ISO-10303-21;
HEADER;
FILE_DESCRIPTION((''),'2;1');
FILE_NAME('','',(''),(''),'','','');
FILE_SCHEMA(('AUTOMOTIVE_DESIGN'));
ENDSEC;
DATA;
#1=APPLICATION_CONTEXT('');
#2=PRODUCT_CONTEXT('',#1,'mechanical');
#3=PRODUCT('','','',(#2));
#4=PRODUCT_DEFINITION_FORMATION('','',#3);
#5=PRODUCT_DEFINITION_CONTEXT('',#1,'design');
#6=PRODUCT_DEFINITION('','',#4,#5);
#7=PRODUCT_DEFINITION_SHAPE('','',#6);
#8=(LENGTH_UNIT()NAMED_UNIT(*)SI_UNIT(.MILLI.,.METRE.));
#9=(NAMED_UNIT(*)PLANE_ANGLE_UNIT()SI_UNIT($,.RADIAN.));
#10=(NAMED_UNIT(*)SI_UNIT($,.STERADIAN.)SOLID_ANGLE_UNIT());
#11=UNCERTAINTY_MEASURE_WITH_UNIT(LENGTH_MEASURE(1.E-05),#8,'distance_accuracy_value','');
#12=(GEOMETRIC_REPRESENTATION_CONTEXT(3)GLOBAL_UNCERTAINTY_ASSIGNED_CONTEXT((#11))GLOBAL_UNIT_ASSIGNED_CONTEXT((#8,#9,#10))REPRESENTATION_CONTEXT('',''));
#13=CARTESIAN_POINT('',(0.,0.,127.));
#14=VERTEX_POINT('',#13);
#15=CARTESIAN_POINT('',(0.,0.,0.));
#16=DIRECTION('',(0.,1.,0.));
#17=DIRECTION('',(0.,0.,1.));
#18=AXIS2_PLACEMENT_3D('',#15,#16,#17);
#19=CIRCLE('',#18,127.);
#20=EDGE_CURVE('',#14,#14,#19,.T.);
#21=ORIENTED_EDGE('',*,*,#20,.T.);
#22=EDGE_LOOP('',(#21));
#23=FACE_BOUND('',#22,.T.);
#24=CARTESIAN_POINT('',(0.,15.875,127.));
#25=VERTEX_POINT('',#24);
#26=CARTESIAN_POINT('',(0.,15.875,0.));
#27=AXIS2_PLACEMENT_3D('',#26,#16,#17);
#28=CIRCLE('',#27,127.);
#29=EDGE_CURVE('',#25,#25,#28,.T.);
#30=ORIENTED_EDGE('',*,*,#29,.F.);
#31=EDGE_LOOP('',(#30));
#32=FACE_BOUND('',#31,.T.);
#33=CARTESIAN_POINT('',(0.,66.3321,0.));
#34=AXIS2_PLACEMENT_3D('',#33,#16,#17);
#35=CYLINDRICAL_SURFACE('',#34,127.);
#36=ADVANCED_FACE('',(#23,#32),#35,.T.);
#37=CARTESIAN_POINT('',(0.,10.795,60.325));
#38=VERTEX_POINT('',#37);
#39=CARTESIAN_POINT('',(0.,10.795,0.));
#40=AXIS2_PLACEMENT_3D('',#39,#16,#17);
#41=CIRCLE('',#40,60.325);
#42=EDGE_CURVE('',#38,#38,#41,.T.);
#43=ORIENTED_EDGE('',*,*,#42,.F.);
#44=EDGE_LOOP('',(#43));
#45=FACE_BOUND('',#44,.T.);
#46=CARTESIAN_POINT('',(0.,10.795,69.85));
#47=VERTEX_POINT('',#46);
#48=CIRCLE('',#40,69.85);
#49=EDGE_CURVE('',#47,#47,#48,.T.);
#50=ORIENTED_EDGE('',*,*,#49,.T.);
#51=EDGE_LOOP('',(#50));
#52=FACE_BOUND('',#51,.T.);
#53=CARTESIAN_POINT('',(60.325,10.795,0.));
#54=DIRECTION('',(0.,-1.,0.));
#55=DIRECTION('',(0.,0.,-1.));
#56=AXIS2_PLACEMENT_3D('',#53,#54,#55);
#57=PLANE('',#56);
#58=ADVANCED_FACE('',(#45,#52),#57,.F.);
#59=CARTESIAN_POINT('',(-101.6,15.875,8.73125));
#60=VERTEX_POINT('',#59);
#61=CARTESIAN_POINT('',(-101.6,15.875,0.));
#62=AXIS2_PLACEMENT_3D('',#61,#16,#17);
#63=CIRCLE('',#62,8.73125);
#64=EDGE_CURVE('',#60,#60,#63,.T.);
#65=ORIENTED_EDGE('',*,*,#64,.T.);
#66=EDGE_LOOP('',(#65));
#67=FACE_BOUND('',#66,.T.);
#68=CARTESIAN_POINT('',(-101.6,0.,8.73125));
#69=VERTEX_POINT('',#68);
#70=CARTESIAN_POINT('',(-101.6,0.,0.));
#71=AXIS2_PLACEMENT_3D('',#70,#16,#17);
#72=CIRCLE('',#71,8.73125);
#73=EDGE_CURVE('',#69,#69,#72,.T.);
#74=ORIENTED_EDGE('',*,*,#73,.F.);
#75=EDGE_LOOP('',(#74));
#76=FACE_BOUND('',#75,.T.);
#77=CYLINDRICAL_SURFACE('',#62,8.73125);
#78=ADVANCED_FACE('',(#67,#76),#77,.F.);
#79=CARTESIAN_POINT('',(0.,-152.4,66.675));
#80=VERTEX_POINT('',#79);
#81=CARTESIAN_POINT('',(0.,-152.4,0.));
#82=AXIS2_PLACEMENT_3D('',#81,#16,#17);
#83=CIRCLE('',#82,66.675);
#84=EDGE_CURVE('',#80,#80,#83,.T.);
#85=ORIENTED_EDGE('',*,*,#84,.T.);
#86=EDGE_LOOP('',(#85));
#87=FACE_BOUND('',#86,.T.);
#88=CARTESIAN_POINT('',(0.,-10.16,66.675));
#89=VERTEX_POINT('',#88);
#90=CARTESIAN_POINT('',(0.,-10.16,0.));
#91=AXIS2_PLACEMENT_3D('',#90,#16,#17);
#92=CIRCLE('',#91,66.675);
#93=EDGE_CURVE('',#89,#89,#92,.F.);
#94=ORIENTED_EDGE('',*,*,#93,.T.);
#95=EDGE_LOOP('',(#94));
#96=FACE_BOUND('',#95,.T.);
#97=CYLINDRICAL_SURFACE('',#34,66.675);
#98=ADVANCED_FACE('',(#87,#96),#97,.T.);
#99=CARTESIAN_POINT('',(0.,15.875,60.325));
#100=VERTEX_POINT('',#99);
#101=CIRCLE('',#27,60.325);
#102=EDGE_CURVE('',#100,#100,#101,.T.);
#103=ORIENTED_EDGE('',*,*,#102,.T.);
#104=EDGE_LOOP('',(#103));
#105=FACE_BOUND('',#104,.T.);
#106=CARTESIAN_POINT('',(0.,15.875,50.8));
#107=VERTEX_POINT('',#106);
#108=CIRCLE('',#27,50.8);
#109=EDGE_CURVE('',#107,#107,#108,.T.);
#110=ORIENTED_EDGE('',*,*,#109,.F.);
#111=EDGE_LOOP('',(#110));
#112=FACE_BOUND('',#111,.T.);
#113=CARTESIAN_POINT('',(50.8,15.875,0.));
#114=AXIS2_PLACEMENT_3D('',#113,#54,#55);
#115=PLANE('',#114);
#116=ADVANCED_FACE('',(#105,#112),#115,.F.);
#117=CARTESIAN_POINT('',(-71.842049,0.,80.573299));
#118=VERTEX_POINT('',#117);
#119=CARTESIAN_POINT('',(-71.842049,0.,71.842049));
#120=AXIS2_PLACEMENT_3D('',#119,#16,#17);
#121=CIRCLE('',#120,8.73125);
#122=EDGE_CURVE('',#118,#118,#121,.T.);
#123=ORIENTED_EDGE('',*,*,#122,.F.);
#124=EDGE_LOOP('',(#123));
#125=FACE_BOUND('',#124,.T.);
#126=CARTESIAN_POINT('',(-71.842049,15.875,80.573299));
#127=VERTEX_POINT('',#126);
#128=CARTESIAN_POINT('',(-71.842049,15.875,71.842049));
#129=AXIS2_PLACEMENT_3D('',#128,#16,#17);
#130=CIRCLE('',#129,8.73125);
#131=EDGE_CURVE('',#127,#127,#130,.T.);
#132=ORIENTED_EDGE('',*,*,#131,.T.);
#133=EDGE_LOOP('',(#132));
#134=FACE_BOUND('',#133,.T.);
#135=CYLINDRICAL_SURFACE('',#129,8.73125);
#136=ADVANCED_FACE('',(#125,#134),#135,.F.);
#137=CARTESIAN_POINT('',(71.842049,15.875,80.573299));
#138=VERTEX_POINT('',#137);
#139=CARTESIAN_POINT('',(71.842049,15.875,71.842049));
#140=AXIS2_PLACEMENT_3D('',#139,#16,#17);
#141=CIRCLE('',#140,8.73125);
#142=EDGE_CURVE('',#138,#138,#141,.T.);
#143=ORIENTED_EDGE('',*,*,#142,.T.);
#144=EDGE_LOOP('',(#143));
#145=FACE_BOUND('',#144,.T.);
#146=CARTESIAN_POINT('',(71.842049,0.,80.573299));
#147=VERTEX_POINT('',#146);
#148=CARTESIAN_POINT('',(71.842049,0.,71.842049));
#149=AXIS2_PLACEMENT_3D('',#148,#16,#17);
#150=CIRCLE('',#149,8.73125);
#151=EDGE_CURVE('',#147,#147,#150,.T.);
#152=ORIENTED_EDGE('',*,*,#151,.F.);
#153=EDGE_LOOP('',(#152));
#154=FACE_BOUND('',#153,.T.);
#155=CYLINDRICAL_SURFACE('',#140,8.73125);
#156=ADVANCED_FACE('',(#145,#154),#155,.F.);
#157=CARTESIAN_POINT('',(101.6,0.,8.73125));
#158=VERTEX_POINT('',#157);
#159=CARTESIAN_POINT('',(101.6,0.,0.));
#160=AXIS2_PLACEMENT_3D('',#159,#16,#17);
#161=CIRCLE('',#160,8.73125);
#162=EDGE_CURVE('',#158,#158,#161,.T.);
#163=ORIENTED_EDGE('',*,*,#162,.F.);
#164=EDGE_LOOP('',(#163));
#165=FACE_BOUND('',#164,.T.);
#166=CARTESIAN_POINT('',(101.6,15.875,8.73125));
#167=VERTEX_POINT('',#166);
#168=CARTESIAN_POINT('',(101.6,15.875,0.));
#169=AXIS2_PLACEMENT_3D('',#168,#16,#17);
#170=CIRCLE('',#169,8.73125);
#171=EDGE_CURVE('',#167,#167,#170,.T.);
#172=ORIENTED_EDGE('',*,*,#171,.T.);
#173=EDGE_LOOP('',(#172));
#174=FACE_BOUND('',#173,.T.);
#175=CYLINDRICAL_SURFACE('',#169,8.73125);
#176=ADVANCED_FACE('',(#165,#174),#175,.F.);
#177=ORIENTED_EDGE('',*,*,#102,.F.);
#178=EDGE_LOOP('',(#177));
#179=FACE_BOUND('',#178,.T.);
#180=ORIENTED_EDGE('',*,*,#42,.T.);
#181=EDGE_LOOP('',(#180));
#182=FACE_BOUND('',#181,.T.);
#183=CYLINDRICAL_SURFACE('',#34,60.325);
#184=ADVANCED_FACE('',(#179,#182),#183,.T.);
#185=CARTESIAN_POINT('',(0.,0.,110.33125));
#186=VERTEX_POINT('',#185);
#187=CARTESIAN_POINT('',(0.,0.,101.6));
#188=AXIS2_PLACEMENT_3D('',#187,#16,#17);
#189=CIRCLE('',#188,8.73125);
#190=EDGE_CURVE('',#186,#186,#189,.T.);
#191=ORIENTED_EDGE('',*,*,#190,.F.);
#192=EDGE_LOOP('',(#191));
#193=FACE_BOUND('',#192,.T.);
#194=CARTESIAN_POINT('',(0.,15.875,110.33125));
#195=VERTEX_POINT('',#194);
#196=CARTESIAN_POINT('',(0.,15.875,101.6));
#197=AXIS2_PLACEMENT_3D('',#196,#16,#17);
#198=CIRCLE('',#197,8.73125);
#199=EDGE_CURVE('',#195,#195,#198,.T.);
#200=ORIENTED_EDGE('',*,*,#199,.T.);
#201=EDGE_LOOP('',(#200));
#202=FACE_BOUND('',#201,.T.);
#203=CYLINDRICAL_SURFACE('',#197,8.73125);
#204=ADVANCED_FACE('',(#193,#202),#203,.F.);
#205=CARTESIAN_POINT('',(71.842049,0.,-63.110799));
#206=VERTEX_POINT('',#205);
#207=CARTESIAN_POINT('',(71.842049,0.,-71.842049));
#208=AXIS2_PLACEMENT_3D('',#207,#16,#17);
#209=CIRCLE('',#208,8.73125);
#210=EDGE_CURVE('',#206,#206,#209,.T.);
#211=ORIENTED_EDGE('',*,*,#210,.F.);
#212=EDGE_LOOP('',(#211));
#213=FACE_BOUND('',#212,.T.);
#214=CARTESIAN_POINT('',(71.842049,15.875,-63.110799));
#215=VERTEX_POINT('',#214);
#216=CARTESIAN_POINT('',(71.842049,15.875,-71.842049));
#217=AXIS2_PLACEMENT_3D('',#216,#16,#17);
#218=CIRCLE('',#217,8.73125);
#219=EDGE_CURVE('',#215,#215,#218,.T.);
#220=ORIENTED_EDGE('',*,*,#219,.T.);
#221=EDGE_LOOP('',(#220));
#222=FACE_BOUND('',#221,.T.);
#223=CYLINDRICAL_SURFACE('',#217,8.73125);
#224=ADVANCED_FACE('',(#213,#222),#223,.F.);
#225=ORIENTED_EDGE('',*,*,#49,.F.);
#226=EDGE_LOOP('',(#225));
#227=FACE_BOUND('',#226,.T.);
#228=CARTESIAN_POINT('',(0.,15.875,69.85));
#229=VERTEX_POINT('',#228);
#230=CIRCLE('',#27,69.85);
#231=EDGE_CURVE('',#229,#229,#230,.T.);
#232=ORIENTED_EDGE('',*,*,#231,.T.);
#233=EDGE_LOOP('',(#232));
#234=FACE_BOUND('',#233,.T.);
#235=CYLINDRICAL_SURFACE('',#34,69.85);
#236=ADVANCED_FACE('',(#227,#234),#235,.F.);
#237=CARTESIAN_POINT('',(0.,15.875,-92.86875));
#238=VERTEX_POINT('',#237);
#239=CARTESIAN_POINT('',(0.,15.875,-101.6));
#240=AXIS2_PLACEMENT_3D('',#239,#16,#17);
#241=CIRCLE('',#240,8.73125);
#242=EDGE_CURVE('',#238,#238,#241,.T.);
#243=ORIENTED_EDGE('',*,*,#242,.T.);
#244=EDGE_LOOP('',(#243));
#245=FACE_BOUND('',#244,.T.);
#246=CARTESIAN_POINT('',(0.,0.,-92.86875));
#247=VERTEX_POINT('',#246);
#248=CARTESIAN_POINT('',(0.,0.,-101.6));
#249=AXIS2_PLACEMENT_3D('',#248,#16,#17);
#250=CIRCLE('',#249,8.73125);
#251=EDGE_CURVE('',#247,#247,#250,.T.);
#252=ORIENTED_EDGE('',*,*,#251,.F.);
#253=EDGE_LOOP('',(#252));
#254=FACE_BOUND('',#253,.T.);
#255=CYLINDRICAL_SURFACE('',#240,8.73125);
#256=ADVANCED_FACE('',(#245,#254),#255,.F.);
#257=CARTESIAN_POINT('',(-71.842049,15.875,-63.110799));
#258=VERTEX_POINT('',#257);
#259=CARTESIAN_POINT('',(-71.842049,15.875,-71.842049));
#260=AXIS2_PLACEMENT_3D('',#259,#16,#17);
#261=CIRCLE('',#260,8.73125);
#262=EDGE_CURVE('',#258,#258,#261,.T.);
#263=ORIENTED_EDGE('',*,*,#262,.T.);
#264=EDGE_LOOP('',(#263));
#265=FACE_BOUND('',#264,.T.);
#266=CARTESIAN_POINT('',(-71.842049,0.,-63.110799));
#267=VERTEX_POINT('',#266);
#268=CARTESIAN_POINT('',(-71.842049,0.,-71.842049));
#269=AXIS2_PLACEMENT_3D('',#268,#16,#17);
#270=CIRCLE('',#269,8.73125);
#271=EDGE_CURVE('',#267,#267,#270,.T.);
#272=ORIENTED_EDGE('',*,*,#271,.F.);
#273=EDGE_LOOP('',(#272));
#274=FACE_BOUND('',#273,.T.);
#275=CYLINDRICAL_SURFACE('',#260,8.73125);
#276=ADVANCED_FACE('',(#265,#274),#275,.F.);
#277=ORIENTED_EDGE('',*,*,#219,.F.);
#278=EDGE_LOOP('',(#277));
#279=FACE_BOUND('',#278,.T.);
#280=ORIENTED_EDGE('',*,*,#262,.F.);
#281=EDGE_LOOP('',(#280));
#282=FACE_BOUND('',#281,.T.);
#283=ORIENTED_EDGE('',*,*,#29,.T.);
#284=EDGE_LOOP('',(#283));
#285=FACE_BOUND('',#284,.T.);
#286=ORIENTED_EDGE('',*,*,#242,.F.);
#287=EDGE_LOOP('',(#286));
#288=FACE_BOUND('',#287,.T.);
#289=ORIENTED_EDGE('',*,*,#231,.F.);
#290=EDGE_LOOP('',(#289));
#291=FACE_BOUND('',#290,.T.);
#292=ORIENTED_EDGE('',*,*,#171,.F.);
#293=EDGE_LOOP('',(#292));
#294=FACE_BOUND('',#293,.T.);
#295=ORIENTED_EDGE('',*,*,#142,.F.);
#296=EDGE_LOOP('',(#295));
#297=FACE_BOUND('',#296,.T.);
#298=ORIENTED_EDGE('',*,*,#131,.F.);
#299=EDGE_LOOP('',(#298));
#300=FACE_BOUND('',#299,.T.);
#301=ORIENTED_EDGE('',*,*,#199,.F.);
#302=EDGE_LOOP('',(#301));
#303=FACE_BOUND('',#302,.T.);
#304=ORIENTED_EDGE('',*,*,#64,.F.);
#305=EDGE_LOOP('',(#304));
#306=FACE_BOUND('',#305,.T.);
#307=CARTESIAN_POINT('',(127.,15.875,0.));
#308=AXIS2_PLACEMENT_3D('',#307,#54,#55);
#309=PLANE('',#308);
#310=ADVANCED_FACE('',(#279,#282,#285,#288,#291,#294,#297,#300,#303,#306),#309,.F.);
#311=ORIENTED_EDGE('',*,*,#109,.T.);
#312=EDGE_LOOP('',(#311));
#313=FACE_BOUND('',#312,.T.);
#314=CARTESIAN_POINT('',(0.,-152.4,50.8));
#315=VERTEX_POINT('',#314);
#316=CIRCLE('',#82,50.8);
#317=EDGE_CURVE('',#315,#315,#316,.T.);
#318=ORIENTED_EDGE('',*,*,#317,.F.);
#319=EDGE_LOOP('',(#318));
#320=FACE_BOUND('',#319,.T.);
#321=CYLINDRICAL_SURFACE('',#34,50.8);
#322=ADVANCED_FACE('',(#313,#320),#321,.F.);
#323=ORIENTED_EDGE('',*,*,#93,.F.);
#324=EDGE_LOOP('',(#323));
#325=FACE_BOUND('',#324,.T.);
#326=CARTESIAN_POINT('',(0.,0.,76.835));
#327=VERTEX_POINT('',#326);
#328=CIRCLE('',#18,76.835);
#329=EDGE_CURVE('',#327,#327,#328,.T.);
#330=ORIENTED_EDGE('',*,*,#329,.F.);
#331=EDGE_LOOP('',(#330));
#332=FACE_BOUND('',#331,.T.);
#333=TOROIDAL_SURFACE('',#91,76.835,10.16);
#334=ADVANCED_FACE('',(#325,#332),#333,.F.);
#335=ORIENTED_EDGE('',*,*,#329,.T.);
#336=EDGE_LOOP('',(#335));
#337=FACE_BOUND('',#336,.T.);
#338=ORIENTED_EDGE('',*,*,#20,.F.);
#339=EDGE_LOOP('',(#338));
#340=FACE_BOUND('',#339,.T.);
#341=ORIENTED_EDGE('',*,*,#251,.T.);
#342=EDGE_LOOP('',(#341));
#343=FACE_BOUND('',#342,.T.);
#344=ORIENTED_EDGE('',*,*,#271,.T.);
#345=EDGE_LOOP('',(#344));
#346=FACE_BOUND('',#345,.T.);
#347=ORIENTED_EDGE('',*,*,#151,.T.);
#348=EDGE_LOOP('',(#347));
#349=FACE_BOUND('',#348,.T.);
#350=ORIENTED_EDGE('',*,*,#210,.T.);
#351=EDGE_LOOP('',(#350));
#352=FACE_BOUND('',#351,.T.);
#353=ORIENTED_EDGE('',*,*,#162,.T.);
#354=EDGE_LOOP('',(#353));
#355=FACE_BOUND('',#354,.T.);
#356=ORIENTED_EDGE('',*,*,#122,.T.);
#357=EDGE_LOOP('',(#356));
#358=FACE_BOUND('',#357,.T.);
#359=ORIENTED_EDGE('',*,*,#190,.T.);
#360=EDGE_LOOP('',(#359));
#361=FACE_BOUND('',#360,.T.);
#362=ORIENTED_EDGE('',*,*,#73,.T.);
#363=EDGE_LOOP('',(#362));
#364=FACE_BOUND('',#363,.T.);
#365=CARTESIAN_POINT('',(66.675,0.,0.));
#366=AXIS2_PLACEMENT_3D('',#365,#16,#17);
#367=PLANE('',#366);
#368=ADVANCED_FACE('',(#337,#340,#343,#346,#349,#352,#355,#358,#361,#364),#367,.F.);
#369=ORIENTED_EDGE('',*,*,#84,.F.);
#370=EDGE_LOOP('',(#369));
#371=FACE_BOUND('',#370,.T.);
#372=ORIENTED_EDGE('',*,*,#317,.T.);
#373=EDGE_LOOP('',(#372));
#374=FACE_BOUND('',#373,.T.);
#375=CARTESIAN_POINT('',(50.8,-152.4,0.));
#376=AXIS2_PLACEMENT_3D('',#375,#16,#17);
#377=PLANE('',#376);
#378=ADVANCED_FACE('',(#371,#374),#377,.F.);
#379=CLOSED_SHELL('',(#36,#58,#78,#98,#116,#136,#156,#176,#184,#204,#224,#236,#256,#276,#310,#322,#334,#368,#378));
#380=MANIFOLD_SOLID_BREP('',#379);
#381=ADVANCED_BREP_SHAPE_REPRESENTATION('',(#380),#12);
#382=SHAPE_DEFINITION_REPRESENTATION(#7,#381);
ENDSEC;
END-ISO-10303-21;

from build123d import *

# Parameters (mm, degrees)
FILLET1_R                       = 10.16
F_11_16_0_6875_DIAMETER_HOLE1_D = 17.4625
CIRPATTERN1_COUNT               = 8


with BuildPart() as part:
    # Sketch1 → Revolve1 (revolve)
    with BuildSketch(Plane.XY):
        Polygon((50.8, -152.4), (66.675, -152.4), (66.675, 0), (127, 0), (127, 15.875), (69.85, 15.875), (69.85, 10.795), (60.325, 10.795), (60.325, 15.875), (50.8, 15.875), align=None)
    revolve(axis=Axis((0, 66.332099957, 0), (0, -1, 0)))

    # Fillet1
    fillet1_edges = [part.edges().sort_by_distance(p)[0] for p in [
        (-66.675, 0, 0),
    ]]
    fillet(fillet1_edges, radius=FILLET1_R)

    # 11/16 (0.6875) Diameter Hole1 (through all)
    with Locations(Plane(origin=(0, 15.875, 0), x_dir=(-1, 0, 0), z_dir=(0, 1, 0))):
        with Locations((0, -101.6)):
            f_11_16_0_6875_diameter_hole1 = Hole(F_11_16_0_6875_DIAMETER_HOLE1_D / 2)

    # CirPattern1: 11/16 (0.6875) Diameter Hole1 ×8 about axis
    cirpattern1_axis = Axis((0, -152.4, 0), (0, 1, 0))
    for i in range(1, CIRPATTERN1_COUNT):
        add(f_11_16_0_6875_diameter_hole1.rotate(cirpattern1_axis, i * 360 / CIRPATTERN1_COUNT), mode=Mode.SUBTRACT)


solid = part.part
